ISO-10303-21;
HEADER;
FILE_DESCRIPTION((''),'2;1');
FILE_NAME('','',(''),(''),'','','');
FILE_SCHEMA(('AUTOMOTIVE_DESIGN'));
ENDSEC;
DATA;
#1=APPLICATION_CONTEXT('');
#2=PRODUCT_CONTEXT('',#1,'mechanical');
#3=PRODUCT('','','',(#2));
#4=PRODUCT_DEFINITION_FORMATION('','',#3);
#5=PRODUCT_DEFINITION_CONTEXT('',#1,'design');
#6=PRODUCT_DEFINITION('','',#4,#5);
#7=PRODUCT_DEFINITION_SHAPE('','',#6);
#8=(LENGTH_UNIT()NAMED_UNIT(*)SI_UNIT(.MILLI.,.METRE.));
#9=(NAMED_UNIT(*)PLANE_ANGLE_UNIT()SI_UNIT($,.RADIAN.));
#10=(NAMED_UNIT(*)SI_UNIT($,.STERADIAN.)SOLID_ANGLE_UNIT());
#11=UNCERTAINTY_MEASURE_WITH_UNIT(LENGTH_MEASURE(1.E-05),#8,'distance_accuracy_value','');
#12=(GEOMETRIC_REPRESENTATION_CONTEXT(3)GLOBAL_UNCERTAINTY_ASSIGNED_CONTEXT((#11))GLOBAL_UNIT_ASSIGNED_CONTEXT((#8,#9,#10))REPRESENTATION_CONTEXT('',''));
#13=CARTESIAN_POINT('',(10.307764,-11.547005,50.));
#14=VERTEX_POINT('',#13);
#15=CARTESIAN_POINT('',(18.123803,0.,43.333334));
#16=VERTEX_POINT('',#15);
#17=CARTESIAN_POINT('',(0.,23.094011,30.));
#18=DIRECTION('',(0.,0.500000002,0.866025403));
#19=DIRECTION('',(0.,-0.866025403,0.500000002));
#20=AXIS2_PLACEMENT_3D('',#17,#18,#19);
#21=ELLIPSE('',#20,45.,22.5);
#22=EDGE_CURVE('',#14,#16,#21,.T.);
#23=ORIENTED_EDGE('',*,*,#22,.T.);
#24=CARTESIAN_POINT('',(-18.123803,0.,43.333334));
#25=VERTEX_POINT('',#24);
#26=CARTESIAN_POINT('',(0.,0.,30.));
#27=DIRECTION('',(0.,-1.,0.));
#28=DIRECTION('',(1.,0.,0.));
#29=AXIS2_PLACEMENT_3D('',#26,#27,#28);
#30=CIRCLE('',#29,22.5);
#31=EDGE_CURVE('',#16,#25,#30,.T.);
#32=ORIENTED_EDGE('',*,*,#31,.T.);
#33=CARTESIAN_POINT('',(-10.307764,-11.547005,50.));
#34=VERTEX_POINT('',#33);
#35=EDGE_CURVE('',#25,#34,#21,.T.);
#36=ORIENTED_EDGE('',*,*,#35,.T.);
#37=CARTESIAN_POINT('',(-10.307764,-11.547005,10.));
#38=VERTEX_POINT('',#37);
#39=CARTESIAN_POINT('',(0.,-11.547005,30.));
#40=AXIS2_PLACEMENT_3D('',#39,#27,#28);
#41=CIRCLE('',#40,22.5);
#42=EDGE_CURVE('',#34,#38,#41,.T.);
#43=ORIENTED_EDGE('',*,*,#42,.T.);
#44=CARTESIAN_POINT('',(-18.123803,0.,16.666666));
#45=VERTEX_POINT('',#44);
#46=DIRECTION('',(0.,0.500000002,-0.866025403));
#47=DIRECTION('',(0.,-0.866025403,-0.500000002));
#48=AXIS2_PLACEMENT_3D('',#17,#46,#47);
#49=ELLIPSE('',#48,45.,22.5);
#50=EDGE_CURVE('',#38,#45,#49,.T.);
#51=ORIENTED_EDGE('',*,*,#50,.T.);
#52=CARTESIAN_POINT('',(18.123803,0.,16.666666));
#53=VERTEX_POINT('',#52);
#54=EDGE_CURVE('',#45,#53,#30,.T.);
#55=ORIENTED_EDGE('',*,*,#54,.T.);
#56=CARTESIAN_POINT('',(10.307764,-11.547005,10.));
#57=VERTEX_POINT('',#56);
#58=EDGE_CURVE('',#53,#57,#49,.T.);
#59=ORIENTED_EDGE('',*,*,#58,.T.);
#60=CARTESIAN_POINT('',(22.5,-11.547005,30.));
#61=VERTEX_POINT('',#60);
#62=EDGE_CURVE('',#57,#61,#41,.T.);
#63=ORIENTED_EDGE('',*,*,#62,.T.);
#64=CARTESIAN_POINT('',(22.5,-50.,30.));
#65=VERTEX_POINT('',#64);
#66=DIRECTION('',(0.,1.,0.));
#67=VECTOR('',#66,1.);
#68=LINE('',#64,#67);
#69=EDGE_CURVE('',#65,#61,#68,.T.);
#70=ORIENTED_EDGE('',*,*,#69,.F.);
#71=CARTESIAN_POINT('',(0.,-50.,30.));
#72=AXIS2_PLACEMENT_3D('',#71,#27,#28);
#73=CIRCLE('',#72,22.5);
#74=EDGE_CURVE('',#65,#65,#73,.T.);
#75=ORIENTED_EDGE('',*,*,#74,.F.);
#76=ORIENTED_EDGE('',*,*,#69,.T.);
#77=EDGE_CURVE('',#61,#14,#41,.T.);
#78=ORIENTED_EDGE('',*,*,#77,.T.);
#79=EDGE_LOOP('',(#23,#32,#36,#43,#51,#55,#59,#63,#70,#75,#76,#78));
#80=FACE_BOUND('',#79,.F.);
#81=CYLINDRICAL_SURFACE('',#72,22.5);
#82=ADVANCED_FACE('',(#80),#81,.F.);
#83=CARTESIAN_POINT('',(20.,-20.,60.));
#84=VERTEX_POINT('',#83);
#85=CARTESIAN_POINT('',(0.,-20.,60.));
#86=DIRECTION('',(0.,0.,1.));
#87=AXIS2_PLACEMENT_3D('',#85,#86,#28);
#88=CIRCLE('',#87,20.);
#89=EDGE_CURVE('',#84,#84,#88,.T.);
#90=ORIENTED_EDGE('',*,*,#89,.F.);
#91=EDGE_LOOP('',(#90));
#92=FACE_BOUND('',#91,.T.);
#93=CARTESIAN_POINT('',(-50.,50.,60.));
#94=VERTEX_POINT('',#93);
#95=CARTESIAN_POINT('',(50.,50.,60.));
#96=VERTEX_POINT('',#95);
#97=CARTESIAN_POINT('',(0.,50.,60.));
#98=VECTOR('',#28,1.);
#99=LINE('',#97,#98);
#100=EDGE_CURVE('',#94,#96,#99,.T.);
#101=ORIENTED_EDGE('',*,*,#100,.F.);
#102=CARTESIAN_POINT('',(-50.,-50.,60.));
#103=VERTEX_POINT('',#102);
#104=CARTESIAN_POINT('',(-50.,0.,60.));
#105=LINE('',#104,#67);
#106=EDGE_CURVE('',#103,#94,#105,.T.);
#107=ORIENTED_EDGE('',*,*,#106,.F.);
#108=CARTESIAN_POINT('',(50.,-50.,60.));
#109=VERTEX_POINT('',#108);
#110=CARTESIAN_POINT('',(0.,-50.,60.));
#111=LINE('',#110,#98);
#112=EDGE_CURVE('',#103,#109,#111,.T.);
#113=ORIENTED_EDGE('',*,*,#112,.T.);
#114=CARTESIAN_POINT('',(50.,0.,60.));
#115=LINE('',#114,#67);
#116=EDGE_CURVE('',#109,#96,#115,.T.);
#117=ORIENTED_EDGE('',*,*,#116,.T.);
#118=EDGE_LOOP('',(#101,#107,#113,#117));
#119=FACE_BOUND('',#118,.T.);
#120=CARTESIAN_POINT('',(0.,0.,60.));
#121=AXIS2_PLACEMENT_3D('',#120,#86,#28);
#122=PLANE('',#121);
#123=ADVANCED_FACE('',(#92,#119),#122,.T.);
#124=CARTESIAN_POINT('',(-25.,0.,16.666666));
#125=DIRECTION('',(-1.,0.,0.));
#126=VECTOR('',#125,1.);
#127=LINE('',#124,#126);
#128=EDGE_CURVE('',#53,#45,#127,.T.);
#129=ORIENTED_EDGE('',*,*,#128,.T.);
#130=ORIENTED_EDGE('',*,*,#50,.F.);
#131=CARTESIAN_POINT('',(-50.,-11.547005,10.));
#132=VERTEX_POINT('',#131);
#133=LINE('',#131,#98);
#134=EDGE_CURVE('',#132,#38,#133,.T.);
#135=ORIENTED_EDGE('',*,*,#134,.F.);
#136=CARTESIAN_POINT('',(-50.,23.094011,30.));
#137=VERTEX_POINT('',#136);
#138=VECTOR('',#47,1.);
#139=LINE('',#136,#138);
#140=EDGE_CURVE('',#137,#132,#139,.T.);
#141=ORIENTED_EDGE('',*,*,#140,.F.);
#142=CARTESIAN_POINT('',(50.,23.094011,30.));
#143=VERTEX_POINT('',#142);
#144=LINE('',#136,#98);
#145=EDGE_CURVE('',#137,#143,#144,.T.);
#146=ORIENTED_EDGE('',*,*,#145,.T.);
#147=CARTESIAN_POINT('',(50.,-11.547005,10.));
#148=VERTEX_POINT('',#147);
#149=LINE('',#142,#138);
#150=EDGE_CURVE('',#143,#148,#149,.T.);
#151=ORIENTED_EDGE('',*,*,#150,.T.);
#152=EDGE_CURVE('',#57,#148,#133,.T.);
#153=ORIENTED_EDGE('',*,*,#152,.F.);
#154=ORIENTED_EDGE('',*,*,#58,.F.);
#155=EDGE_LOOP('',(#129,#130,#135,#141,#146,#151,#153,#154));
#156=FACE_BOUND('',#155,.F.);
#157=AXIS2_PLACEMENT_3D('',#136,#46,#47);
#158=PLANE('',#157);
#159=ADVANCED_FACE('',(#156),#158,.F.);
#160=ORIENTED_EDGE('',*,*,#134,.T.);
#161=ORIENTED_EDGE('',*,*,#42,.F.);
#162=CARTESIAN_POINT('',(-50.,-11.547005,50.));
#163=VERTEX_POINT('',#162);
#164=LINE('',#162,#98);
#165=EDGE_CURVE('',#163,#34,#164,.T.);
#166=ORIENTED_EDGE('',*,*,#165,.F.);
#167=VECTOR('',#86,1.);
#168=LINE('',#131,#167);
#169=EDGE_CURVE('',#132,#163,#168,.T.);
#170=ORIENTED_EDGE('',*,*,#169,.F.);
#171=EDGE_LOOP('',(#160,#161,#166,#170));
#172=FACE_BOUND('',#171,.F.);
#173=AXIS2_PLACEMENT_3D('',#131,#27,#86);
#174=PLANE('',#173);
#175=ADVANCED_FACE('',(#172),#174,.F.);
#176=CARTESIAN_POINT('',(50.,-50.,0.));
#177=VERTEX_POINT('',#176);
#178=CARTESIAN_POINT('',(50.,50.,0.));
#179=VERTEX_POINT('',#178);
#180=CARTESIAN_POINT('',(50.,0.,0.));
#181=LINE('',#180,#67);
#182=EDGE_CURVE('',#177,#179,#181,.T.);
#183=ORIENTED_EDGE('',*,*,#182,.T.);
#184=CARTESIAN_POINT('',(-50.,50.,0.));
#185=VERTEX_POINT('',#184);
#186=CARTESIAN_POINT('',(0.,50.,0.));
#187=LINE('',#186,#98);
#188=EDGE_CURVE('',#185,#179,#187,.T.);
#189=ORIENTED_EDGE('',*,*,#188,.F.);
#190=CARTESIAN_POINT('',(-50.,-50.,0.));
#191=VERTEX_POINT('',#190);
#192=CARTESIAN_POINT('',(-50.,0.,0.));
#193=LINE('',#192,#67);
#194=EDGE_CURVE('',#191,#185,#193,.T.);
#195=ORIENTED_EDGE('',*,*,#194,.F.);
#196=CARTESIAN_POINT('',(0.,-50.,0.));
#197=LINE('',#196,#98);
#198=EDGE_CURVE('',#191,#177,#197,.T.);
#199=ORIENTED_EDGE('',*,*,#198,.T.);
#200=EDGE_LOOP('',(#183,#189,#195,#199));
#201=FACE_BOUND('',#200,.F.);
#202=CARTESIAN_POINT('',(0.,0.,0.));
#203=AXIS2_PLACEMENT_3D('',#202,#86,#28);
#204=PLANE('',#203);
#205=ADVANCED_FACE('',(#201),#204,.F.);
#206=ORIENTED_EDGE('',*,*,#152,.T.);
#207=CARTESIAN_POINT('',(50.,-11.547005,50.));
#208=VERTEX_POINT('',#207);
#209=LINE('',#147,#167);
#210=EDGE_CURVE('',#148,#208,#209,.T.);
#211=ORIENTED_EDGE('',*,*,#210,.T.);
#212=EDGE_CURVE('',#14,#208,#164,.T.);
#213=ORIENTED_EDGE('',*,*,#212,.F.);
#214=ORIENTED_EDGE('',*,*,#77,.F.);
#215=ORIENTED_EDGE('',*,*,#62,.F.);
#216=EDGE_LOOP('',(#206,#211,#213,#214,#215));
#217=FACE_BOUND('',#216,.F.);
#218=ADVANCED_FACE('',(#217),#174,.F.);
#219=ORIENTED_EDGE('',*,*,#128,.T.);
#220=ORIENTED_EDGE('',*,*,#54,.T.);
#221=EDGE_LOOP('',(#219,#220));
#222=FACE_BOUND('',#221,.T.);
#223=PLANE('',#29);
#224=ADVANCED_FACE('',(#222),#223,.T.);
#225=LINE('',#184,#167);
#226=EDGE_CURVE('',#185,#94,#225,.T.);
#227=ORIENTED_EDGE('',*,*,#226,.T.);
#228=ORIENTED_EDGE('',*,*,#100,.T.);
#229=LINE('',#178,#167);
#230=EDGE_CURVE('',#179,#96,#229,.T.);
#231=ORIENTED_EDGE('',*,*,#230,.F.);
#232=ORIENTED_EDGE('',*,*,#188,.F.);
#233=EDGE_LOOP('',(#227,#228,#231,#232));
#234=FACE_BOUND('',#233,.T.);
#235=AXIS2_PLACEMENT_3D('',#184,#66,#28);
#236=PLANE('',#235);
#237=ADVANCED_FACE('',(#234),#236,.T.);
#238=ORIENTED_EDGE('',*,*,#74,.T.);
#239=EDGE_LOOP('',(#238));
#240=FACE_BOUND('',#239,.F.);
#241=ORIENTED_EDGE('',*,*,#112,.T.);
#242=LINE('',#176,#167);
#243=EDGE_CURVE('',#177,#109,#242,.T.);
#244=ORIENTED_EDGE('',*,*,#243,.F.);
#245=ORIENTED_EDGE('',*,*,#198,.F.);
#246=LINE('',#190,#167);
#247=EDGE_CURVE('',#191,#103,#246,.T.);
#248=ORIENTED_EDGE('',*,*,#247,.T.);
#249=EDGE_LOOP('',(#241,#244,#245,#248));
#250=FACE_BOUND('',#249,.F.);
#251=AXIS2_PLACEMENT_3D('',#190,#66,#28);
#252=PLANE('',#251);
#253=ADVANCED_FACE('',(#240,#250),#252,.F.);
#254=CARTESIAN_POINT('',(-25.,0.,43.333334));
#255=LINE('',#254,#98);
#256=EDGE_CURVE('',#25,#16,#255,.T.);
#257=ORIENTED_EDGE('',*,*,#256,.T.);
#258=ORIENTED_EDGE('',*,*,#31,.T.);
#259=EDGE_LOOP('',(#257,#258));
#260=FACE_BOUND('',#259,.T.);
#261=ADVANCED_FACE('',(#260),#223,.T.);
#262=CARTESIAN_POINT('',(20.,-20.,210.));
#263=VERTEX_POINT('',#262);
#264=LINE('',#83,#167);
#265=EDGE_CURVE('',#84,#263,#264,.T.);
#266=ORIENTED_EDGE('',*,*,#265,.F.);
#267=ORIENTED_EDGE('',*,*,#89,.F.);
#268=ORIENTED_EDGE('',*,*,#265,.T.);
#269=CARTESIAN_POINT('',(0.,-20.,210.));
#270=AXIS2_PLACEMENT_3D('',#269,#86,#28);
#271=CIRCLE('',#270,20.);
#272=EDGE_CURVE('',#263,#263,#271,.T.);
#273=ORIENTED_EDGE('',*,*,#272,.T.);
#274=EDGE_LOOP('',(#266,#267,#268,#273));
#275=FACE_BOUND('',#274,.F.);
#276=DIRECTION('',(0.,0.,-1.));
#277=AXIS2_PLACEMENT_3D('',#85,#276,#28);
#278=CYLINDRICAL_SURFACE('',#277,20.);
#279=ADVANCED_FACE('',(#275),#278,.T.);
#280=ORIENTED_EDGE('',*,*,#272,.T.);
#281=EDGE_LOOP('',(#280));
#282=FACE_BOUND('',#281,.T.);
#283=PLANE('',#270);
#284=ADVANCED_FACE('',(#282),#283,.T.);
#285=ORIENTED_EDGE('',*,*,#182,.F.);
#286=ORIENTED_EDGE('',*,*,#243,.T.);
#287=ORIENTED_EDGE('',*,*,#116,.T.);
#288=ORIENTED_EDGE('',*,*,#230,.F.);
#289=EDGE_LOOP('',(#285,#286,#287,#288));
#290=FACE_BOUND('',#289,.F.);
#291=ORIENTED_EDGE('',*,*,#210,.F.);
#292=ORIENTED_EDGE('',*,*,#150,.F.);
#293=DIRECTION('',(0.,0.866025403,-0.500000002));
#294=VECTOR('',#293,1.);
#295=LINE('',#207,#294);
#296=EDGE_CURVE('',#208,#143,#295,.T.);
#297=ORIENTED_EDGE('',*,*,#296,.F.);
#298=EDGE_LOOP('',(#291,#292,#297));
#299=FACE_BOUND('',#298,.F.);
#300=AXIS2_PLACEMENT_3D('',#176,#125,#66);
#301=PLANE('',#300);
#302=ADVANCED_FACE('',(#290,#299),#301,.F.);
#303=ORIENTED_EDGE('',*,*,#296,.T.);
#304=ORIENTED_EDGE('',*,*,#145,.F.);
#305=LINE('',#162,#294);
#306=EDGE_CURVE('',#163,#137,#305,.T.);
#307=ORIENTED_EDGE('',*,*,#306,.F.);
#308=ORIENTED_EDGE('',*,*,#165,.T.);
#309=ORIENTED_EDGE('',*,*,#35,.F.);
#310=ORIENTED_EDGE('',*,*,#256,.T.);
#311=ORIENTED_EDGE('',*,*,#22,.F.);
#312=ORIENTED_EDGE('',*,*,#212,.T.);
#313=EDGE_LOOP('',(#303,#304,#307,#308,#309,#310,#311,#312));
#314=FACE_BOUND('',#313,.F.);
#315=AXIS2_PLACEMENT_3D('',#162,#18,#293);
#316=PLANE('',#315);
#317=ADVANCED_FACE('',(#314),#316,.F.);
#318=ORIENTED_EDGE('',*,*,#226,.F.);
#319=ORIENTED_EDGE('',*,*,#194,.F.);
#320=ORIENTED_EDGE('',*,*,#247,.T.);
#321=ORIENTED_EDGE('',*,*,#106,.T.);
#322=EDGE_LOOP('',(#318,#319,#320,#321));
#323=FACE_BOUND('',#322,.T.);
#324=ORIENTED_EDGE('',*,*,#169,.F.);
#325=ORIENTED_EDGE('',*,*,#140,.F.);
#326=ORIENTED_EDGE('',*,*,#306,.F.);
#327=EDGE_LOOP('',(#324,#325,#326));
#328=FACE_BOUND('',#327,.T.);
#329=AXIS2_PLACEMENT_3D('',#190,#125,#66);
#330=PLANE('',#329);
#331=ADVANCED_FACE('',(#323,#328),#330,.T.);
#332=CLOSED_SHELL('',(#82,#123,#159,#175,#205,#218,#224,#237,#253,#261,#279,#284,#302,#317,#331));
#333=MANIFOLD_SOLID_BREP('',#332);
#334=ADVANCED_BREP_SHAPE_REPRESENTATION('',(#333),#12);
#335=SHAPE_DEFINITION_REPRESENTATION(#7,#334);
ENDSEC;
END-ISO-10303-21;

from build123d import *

# Parameters (mm, degrees)
F0_W     = 100
F0_H     = 100
F1_DEPTH = 60
F2_R     = 20
F3_DEPTH = 150
F5_DEPTH = 100
F6_R     = 22.5
F7_DEPTH = 50


with BuildPart() as f1:
    # F0 (on Top) → F1 (new body)
    with BuildSketch(Plane.XY):
        Rectangle(F0_W, F0_H)
    extrude(amount=F1_DEPTH)

    # F2 (on face) → F3 (join)
    with BuildSketch(Plane.XY.offset(60)):
        with Locations((0, -20)):
            Circle(F2_R)
    extrude(amount=F3_DEPTH)

    # F4 (on face) → F5 (cut)
    with BuildSketch(Plane(origin=(-50, 0, 0), x_dir=(0, -1, 0), z_dir=(-1, 0, 0))):
        Polygon((-23.094011, 30), (11.547005, 10), (11.547005, 50), align=None)
    extrude(amount=-F5_DEPTH, mode=Mode.SUBTRACT)

    # F6 (on face) → F7 (cut)
    with BuildSketch(Plane.XZ.offset(50)):
        with Locations((0, 30)):
            Circle(F6_R)
    extrude(amount=-F7_DEPTH, mode=Mode.SUBTRACT)


solid = f1.part
